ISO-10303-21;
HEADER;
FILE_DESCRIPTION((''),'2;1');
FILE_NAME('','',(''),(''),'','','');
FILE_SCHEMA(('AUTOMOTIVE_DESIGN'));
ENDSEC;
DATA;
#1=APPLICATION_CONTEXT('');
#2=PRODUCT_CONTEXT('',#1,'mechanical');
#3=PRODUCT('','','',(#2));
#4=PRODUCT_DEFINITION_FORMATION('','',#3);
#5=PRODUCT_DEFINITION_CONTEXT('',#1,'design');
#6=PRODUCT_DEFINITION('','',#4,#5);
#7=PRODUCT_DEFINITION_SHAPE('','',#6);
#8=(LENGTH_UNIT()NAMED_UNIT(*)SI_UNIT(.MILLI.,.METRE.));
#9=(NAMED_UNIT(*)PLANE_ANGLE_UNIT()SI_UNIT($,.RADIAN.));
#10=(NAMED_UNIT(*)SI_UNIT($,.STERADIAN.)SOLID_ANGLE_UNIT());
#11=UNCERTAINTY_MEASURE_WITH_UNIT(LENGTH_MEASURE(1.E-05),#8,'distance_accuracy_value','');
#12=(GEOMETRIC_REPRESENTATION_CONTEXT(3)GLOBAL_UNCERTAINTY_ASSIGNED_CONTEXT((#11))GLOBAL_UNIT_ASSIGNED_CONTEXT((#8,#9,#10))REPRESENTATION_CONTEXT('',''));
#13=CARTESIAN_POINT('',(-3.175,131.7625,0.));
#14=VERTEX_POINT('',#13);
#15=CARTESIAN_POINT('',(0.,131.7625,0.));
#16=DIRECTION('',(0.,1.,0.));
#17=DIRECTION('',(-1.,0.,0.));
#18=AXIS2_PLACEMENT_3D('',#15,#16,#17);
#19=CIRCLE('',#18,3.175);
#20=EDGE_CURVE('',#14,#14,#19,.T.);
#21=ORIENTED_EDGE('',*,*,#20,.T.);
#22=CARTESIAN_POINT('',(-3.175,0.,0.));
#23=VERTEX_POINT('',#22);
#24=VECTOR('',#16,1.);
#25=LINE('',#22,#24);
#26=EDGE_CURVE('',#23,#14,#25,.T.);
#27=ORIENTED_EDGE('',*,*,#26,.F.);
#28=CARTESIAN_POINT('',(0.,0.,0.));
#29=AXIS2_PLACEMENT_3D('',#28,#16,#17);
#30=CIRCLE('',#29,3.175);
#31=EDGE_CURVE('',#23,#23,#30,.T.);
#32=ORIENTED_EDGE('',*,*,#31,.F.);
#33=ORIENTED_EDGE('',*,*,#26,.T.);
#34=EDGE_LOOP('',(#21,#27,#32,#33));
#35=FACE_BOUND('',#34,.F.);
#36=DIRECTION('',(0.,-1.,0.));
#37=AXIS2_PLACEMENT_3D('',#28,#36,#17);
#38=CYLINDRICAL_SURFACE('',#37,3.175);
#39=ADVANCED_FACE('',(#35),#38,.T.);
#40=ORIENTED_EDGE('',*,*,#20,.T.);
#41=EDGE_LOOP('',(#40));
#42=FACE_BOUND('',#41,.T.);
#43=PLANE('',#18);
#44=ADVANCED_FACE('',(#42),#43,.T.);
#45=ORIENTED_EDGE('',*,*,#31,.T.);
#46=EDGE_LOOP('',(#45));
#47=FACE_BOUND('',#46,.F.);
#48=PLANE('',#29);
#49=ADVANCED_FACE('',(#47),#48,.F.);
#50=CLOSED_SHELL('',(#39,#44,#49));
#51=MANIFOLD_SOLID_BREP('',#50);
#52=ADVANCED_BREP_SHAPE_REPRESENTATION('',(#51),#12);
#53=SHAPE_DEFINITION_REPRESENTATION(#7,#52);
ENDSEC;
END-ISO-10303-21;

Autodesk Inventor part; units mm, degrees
ref_plane "YZ Plane" through (0, 0, 0) normal (1, 0, 0) x (0, 1, 0)
ref_plane "XZ Plane" through (0, 0, 0) normal (0, 1, 0) x (-1, 0, 0)
ref_plane "XY Plane" through (0, 0, 0) normal (0, 0, 1) x (1, 0, 0)
sketch "Sketch1" plane through (0, 0, 0) normal (0, 1, 0) x (-1, 0, 0)
  circle A0 centre (0, 0) radius 3.175
  dimension "d0" = 6.35
extrude "Extrusion1" add sketch "Sketch1" along normal blind 131.7625
properties part number "Rod"
